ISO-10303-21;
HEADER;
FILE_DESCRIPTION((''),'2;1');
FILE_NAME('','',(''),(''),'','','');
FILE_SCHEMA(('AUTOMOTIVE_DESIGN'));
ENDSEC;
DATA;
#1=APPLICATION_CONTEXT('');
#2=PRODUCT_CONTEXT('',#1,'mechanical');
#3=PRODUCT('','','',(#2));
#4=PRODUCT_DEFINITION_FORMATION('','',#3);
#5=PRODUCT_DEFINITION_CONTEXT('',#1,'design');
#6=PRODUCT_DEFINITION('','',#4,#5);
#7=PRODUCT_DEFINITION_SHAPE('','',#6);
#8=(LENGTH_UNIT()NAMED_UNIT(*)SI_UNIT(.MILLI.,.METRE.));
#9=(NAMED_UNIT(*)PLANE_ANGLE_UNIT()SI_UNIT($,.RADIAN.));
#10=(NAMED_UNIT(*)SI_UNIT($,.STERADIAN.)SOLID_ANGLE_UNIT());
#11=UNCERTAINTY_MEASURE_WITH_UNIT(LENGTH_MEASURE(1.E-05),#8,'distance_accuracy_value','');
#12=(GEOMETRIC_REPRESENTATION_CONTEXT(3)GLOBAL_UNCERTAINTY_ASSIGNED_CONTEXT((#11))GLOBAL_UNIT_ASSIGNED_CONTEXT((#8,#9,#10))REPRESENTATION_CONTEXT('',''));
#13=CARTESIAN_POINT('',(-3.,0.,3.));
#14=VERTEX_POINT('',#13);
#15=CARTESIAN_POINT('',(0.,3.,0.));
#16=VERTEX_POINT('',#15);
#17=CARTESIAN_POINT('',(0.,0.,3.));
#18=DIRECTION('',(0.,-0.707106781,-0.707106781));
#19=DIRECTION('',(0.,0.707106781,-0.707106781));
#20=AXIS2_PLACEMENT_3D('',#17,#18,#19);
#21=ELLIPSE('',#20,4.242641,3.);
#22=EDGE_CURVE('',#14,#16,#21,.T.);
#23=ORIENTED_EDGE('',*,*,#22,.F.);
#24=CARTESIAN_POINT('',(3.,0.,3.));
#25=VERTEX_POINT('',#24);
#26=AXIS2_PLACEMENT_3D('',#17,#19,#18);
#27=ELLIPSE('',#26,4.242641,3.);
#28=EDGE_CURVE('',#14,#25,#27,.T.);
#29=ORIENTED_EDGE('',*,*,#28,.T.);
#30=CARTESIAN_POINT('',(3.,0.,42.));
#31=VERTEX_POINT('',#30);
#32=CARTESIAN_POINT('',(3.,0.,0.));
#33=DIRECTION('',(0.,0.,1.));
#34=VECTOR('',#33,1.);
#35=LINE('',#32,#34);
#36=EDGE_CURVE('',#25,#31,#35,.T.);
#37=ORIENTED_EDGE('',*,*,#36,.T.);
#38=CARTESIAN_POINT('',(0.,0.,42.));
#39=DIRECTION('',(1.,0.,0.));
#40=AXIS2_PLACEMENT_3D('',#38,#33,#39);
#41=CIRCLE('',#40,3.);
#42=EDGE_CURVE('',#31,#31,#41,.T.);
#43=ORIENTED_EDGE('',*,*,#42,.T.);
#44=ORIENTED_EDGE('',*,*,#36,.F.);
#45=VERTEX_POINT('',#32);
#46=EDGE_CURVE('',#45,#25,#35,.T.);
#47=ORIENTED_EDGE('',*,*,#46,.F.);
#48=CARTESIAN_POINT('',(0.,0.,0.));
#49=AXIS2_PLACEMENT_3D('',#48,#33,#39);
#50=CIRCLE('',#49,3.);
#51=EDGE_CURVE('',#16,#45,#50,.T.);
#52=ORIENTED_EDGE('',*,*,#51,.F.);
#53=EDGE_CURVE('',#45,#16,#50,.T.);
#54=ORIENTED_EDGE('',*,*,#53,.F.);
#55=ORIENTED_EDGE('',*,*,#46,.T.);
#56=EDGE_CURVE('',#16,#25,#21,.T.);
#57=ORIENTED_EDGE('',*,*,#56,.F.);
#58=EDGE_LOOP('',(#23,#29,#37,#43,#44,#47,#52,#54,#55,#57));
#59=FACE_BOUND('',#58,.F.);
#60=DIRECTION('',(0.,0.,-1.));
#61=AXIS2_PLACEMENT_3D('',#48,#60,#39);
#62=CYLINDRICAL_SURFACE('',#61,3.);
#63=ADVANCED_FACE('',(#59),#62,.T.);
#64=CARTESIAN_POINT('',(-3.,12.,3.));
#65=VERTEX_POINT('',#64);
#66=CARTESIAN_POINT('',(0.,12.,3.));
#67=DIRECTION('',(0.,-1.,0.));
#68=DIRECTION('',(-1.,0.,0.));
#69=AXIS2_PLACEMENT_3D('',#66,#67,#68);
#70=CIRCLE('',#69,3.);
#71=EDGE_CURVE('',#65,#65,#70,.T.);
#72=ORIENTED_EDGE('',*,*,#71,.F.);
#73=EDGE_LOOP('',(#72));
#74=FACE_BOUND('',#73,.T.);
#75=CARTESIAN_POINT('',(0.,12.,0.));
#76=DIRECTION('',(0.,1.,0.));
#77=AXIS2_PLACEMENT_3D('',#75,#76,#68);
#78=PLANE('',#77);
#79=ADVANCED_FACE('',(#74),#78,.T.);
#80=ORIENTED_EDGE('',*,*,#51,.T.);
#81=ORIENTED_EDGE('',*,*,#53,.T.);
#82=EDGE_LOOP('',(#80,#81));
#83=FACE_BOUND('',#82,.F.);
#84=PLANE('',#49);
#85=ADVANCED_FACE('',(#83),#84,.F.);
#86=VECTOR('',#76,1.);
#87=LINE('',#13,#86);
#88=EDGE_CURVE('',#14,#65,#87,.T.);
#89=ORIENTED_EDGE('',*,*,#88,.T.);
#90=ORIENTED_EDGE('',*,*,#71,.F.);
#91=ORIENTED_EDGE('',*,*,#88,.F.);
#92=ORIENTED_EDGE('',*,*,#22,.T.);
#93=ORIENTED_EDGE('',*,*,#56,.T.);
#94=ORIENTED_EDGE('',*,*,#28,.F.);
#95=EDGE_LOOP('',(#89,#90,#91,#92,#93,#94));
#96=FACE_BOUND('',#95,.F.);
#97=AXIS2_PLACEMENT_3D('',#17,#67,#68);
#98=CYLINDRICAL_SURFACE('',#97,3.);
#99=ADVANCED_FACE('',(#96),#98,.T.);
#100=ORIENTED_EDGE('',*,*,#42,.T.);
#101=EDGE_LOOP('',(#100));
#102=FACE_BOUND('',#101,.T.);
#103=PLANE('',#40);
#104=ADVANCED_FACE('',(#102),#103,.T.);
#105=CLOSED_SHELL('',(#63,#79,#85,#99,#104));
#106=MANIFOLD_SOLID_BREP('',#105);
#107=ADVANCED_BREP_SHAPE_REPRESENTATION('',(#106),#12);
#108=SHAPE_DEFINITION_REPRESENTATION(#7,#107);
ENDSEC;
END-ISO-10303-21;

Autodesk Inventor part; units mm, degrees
ref_plane "YZ Plane" through (0, 0, 0) normal (1, 0, 0) x (0, 1, 0)
ref_plane "XZ Plane" through (0, 0, 0) normal (0, 1, 0) x (-1, 0, 0)
ref_plane "XY Plane" through (0, 0, 0) normal (0, 0, 1) x (1, 0, 0)
sketch "Sketch1" plane through (0, 0, 0) normal (0, 0, 1) x (1, 0, 0)
  circle A0 centre (0, 0) radius 3
  dimension "d0" = 6
extrude "Extrusion1" add sketch "Sketch1" along normal blind 42
sketch "Sketch2" plane through (0, 0, 0) normal (0, 1, 0) x (-1, 0, 0)
  line L0 (0, 0) -> (0, 3)
  circle A0 centre (0, 3) radius 3
  dimension "d3" = 3
  dimension "d4" = 6
extrude "Extrusion2" add sketch "Sketch2" along normal blind 12
properties part number "Connector_3DPrint"
